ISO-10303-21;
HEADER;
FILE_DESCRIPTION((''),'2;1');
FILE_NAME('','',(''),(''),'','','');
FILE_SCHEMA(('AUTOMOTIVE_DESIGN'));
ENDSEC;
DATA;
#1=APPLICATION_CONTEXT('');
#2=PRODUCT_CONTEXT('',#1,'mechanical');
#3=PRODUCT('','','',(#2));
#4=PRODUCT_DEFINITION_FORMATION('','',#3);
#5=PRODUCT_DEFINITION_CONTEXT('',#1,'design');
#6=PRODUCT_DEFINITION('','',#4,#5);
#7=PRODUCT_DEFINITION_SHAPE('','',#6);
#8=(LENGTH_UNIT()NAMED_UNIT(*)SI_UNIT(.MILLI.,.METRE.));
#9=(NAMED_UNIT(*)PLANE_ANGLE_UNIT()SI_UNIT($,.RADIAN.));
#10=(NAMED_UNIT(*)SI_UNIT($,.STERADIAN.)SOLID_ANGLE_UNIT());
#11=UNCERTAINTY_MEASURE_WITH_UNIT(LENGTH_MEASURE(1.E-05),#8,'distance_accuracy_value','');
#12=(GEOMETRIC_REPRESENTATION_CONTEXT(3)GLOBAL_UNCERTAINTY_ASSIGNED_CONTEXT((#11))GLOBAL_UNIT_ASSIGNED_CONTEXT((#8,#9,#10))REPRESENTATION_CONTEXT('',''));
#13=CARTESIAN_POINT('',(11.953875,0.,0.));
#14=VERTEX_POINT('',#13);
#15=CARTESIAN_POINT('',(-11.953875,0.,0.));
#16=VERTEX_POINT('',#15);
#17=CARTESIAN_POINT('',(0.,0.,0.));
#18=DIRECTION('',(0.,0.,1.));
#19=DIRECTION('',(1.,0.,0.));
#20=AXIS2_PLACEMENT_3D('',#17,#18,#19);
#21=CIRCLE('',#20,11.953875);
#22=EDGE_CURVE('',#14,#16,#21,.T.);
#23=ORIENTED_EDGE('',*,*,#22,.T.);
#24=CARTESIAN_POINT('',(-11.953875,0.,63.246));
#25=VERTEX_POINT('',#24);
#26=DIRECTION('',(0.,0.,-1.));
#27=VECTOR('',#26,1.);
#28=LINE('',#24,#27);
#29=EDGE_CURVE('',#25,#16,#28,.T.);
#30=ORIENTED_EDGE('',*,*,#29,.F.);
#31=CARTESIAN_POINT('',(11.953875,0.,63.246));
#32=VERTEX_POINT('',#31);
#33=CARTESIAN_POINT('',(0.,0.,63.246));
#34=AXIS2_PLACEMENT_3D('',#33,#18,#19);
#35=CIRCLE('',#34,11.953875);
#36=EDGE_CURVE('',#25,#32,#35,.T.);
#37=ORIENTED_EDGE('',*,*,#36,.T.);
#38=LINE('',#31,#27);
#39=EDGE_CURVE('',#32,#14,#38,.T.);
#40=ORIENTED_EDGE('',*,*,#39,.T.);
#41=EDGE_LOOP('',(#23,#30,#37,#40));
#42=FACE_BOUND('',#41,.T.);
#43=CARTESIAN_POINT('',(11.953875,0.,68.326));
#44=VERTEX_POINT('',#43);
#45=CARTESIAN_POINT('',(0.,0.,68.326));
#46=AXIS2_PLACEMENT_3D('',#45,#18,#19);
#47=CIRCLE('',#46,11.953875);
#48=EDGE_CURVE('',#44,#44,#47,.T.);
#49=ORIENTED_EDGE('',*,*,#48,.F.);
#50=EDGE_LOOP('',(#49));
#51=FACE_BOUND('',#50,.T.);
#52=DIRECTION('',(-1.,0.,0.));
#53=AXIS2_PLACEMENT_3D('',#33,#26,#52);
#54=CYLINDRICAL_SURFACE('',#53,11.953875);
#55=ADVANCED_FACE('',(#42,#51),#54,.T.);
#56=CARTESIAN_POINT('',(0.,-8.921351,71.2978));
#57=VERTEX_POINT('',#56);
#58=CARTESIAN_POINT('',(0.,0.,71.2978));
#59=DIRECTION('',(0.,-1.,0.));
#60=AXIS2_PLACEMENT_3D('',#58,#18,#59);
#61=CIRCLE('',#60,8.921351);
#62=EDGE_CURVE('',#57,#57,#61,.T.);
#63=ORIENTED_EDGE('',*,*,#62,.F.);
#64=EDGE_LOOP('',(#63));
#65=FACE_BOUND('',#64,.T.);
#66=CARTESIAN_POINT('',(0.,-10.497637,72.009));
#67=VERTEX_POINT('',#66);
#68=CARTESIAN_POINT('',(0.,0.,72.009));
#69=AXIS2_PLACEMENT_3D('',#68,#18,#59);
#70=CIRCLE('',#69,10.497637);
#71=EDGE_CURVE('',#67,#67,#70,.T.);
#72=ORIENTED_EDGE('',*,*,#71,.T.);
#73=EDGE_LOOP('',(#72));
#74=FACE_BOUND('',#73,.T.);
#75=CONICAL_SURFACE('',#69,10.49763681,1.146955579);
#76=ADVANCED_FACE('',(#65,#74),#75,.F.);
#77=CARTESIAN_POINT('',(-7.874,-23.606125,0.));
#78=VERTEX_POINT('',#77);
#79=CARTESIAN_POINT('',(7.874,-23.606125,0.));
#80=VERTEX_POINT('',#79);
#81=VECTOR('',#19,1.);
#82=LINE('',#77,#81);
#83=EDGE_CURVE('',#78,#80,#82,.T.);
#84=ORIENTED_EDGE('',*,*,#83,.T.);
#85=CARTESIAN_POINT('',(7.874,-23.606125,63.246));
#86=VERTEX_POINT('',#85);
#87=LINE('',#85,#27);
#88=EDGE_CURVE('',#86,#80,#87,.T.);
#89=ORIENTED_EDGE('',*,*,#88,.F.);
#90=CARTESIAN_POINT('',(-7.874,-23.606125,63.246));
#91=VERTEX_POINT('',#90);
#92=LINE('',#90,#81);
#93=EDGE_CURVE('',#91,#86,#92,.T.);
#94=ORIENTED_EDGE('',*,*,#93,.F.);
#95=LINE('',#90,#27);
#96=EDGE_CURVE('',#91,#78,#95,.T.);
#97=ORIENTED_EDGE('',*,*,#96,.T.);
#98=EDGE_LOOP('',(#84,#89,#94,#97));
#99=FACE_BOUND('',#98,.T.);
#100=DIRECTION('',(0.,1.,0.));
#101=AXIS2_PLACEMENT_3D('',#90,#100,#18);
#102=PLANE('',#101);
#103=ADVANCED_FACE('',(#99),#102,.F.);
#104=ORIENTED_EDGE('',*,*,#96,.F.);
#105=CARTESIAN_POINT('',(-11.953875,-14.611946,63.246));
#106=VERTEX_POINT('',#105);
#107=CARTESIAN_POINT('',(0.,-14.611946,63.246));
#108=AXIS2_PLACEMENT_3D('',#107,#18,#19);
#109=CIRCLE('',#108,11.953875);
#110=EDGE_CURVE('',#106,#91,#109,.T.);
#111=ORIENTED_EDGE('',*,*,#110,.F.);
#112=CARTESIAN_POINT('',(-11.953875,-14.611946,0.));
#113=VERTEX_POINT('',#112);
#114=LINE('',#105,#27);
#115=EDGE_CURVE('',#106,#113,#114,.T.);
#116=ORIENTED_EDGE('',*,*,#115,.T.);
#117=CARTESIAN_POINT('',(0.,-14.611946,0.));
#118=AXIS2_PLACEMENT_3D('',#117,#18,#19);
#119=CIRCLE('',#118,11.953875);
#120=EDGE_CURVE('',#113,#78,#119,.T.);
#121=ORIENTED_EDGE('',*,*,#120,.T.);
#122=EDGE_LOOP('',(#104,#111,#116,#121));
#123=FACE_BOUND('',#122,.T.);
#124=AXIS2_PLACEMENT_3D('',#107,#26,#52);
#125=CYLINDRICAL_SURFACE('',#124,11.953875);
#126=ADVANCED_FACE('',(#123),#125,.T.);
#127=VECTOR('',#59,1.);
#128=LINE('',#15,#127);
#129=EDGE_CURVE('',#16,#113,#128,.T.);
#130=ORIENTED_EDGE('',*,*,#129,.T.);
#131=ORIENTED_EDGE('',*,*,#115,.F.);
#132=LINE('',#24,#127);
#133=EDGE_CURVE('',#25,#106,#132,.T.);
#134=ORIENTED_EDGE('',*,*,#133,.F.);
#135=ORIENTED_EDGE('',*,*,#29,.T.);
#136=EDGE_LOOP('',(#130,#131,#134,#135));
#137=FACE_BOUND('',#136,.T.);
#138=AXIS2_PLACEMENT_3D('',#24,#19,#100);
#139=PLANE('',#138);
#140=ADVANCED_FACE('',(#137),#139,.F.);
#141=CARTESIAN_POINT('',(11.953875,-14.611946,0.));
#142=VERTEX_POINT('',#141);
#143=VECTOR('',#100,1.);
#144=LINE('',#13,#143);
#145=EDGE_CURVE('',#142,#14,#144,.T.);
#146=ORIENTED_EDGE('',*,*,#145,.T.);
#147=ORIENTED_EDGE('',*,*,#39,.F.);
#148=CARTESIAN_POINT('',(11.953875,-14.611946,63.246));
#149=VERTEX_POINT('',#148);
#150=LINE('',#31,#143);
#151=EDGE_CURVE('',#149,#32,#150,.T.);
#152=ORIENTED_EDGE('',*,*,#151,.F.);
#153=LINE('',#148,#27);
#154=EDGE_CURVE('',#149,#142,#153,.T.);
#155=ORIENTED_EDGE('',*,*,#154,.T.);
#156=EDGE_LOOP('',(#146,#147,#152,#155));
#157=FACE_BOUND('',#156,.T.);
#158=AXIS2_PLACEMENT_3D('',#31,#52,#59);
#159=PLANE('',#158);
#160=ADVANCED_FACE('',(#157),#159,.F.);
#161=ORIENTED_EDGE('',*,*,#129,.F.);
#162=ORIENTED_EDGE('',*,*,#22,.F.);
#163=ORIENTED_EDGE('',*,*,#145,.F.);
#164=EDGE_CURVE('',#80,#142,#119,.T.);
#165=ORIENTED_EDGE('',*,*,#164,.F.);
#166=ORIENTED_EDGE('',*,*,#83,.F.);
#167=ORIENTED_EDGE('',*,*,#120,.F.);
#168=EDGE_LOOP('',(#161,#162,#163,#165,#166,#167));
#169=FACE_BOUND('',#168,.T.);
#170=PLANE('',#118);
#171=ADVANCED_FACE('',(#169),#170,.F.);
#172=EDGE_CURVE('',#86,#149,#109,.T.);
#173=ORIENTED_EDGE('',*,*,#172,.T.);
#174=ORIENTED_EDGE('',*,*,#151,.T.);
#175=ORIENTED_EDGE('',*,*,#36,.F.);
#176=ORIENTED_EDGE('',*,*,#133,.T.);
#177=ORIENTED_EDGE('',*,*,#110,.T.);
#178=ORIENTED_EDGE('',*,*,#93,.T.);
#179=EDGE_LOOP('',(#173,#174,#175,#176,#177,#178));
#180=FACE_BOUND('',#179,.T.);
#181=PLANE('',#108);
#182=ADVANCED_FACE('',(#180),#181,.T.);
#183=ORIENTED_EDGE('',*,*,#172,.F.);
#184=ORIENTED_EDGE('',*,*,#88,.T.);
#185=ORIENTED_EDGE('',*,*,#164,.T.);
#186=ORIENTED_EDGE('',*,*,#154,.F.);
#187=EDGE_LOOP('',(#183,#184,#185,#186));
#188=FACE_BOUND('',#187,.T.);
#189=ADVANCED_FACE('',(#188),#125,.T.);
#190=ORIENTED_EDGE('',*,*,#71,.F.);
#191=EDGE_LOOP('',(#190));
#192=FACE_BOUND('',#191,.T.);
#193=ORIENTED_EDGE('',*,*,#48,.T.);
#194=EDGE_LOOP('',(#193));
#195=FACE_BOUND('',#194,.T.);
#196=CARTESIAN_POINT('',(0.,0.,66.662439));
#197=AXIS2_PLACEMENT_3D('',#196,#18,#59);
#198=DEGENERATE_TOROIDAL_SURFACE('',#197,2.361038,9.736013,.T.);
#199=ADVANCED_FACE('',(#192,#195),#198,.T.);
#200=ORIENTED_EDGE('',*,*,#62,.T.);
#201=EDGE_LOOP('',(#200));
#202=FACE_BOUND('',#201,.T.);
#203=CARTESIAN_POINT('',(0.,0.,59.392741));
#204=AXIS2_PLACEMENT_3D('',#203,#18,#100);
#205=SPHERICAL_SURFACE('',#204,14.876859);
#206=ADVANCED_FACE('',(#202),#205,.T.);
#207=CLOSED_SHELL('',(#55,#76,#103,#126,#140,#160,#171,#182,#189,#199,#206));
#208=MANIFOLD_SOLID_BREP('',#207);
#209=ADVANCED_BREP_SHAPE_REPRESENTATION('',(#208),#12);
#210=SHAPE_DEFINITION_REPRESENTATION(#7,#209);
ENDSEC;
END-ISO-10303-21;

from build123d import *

# Parameters (mm, degrees)
BOSS_EXTRUDE1_DEPTH = 63.246
SKETCH2_R           = 11.953875
BOSS_EXTRUDE2_DEPTH = 5.08


with BuildPart() as part:
    # Sketch1 → Boss-Extrude1 (new body)
    with BuildSketch(Plane.XY):
        with BuildLine():
            Line((-7.874, -23.606125), (7.874, -23.606125))
            ThreePointArc((7.874, -23.606125), (10.886228439, -19.550079279), (11.953875, -14.611946243))
            Line((11.953875, -14.611946243), (11.953875, 0))
            ThreePointArc((11.953875, 0), (0, 11.953875), (-11.953875, 0))
            Line((-11.953875, 0), (-11.953875, -14.611946243))
            ThreePointArc((-11.953875, -14.611946243), (-10.886228439, -19.550079279), (-7.874, -23.606125))
        make_face()
    extrude(amount=BOSS_EXTRUDE1_DEPTH)

    # Sketch2 → Boss-Extrude2 (add)
    with BuildSketch(Plane.XY.offset(63.246)):
        Circle(SKETCH2_R)
    extrude(amount=BOSS_EXTRUDE2_DEPTH)

    # Sketch3 → Revolve1 (revolve)
    with BuildSketch(Plane(origin=(0, 0, 0), x_dir=(0, 0, -1), z_dir=(1, 0, 0)), mode=Mode.PRIVATE) as revolve1_sk:
        with BuildLine():
            Line((-74.2696, 0), (-68.326, 0))
            Line((-68.326, 0), (-68.326, 11.953875))
            ThreePointArc((-68.326, 11.953875), (-70.242328664, 11.415006517), (-72.009, 10.49763681))
            Line((-72.009, 10.49763681), (-71.2978, 8.921350892))
            ThreePointArc((-71.2978, 8.921350892), (-73.507109881, 4.701651225), (-74.2696, 0))
        make_face()
    revolve(revolve1_sk.sketch.rotate(Axis((0, 0, 74.2696), (0, 0, -1)), 180), axis=Axis((0, 0, 74.2696), (0, 0, -1)))


solid = part.part
